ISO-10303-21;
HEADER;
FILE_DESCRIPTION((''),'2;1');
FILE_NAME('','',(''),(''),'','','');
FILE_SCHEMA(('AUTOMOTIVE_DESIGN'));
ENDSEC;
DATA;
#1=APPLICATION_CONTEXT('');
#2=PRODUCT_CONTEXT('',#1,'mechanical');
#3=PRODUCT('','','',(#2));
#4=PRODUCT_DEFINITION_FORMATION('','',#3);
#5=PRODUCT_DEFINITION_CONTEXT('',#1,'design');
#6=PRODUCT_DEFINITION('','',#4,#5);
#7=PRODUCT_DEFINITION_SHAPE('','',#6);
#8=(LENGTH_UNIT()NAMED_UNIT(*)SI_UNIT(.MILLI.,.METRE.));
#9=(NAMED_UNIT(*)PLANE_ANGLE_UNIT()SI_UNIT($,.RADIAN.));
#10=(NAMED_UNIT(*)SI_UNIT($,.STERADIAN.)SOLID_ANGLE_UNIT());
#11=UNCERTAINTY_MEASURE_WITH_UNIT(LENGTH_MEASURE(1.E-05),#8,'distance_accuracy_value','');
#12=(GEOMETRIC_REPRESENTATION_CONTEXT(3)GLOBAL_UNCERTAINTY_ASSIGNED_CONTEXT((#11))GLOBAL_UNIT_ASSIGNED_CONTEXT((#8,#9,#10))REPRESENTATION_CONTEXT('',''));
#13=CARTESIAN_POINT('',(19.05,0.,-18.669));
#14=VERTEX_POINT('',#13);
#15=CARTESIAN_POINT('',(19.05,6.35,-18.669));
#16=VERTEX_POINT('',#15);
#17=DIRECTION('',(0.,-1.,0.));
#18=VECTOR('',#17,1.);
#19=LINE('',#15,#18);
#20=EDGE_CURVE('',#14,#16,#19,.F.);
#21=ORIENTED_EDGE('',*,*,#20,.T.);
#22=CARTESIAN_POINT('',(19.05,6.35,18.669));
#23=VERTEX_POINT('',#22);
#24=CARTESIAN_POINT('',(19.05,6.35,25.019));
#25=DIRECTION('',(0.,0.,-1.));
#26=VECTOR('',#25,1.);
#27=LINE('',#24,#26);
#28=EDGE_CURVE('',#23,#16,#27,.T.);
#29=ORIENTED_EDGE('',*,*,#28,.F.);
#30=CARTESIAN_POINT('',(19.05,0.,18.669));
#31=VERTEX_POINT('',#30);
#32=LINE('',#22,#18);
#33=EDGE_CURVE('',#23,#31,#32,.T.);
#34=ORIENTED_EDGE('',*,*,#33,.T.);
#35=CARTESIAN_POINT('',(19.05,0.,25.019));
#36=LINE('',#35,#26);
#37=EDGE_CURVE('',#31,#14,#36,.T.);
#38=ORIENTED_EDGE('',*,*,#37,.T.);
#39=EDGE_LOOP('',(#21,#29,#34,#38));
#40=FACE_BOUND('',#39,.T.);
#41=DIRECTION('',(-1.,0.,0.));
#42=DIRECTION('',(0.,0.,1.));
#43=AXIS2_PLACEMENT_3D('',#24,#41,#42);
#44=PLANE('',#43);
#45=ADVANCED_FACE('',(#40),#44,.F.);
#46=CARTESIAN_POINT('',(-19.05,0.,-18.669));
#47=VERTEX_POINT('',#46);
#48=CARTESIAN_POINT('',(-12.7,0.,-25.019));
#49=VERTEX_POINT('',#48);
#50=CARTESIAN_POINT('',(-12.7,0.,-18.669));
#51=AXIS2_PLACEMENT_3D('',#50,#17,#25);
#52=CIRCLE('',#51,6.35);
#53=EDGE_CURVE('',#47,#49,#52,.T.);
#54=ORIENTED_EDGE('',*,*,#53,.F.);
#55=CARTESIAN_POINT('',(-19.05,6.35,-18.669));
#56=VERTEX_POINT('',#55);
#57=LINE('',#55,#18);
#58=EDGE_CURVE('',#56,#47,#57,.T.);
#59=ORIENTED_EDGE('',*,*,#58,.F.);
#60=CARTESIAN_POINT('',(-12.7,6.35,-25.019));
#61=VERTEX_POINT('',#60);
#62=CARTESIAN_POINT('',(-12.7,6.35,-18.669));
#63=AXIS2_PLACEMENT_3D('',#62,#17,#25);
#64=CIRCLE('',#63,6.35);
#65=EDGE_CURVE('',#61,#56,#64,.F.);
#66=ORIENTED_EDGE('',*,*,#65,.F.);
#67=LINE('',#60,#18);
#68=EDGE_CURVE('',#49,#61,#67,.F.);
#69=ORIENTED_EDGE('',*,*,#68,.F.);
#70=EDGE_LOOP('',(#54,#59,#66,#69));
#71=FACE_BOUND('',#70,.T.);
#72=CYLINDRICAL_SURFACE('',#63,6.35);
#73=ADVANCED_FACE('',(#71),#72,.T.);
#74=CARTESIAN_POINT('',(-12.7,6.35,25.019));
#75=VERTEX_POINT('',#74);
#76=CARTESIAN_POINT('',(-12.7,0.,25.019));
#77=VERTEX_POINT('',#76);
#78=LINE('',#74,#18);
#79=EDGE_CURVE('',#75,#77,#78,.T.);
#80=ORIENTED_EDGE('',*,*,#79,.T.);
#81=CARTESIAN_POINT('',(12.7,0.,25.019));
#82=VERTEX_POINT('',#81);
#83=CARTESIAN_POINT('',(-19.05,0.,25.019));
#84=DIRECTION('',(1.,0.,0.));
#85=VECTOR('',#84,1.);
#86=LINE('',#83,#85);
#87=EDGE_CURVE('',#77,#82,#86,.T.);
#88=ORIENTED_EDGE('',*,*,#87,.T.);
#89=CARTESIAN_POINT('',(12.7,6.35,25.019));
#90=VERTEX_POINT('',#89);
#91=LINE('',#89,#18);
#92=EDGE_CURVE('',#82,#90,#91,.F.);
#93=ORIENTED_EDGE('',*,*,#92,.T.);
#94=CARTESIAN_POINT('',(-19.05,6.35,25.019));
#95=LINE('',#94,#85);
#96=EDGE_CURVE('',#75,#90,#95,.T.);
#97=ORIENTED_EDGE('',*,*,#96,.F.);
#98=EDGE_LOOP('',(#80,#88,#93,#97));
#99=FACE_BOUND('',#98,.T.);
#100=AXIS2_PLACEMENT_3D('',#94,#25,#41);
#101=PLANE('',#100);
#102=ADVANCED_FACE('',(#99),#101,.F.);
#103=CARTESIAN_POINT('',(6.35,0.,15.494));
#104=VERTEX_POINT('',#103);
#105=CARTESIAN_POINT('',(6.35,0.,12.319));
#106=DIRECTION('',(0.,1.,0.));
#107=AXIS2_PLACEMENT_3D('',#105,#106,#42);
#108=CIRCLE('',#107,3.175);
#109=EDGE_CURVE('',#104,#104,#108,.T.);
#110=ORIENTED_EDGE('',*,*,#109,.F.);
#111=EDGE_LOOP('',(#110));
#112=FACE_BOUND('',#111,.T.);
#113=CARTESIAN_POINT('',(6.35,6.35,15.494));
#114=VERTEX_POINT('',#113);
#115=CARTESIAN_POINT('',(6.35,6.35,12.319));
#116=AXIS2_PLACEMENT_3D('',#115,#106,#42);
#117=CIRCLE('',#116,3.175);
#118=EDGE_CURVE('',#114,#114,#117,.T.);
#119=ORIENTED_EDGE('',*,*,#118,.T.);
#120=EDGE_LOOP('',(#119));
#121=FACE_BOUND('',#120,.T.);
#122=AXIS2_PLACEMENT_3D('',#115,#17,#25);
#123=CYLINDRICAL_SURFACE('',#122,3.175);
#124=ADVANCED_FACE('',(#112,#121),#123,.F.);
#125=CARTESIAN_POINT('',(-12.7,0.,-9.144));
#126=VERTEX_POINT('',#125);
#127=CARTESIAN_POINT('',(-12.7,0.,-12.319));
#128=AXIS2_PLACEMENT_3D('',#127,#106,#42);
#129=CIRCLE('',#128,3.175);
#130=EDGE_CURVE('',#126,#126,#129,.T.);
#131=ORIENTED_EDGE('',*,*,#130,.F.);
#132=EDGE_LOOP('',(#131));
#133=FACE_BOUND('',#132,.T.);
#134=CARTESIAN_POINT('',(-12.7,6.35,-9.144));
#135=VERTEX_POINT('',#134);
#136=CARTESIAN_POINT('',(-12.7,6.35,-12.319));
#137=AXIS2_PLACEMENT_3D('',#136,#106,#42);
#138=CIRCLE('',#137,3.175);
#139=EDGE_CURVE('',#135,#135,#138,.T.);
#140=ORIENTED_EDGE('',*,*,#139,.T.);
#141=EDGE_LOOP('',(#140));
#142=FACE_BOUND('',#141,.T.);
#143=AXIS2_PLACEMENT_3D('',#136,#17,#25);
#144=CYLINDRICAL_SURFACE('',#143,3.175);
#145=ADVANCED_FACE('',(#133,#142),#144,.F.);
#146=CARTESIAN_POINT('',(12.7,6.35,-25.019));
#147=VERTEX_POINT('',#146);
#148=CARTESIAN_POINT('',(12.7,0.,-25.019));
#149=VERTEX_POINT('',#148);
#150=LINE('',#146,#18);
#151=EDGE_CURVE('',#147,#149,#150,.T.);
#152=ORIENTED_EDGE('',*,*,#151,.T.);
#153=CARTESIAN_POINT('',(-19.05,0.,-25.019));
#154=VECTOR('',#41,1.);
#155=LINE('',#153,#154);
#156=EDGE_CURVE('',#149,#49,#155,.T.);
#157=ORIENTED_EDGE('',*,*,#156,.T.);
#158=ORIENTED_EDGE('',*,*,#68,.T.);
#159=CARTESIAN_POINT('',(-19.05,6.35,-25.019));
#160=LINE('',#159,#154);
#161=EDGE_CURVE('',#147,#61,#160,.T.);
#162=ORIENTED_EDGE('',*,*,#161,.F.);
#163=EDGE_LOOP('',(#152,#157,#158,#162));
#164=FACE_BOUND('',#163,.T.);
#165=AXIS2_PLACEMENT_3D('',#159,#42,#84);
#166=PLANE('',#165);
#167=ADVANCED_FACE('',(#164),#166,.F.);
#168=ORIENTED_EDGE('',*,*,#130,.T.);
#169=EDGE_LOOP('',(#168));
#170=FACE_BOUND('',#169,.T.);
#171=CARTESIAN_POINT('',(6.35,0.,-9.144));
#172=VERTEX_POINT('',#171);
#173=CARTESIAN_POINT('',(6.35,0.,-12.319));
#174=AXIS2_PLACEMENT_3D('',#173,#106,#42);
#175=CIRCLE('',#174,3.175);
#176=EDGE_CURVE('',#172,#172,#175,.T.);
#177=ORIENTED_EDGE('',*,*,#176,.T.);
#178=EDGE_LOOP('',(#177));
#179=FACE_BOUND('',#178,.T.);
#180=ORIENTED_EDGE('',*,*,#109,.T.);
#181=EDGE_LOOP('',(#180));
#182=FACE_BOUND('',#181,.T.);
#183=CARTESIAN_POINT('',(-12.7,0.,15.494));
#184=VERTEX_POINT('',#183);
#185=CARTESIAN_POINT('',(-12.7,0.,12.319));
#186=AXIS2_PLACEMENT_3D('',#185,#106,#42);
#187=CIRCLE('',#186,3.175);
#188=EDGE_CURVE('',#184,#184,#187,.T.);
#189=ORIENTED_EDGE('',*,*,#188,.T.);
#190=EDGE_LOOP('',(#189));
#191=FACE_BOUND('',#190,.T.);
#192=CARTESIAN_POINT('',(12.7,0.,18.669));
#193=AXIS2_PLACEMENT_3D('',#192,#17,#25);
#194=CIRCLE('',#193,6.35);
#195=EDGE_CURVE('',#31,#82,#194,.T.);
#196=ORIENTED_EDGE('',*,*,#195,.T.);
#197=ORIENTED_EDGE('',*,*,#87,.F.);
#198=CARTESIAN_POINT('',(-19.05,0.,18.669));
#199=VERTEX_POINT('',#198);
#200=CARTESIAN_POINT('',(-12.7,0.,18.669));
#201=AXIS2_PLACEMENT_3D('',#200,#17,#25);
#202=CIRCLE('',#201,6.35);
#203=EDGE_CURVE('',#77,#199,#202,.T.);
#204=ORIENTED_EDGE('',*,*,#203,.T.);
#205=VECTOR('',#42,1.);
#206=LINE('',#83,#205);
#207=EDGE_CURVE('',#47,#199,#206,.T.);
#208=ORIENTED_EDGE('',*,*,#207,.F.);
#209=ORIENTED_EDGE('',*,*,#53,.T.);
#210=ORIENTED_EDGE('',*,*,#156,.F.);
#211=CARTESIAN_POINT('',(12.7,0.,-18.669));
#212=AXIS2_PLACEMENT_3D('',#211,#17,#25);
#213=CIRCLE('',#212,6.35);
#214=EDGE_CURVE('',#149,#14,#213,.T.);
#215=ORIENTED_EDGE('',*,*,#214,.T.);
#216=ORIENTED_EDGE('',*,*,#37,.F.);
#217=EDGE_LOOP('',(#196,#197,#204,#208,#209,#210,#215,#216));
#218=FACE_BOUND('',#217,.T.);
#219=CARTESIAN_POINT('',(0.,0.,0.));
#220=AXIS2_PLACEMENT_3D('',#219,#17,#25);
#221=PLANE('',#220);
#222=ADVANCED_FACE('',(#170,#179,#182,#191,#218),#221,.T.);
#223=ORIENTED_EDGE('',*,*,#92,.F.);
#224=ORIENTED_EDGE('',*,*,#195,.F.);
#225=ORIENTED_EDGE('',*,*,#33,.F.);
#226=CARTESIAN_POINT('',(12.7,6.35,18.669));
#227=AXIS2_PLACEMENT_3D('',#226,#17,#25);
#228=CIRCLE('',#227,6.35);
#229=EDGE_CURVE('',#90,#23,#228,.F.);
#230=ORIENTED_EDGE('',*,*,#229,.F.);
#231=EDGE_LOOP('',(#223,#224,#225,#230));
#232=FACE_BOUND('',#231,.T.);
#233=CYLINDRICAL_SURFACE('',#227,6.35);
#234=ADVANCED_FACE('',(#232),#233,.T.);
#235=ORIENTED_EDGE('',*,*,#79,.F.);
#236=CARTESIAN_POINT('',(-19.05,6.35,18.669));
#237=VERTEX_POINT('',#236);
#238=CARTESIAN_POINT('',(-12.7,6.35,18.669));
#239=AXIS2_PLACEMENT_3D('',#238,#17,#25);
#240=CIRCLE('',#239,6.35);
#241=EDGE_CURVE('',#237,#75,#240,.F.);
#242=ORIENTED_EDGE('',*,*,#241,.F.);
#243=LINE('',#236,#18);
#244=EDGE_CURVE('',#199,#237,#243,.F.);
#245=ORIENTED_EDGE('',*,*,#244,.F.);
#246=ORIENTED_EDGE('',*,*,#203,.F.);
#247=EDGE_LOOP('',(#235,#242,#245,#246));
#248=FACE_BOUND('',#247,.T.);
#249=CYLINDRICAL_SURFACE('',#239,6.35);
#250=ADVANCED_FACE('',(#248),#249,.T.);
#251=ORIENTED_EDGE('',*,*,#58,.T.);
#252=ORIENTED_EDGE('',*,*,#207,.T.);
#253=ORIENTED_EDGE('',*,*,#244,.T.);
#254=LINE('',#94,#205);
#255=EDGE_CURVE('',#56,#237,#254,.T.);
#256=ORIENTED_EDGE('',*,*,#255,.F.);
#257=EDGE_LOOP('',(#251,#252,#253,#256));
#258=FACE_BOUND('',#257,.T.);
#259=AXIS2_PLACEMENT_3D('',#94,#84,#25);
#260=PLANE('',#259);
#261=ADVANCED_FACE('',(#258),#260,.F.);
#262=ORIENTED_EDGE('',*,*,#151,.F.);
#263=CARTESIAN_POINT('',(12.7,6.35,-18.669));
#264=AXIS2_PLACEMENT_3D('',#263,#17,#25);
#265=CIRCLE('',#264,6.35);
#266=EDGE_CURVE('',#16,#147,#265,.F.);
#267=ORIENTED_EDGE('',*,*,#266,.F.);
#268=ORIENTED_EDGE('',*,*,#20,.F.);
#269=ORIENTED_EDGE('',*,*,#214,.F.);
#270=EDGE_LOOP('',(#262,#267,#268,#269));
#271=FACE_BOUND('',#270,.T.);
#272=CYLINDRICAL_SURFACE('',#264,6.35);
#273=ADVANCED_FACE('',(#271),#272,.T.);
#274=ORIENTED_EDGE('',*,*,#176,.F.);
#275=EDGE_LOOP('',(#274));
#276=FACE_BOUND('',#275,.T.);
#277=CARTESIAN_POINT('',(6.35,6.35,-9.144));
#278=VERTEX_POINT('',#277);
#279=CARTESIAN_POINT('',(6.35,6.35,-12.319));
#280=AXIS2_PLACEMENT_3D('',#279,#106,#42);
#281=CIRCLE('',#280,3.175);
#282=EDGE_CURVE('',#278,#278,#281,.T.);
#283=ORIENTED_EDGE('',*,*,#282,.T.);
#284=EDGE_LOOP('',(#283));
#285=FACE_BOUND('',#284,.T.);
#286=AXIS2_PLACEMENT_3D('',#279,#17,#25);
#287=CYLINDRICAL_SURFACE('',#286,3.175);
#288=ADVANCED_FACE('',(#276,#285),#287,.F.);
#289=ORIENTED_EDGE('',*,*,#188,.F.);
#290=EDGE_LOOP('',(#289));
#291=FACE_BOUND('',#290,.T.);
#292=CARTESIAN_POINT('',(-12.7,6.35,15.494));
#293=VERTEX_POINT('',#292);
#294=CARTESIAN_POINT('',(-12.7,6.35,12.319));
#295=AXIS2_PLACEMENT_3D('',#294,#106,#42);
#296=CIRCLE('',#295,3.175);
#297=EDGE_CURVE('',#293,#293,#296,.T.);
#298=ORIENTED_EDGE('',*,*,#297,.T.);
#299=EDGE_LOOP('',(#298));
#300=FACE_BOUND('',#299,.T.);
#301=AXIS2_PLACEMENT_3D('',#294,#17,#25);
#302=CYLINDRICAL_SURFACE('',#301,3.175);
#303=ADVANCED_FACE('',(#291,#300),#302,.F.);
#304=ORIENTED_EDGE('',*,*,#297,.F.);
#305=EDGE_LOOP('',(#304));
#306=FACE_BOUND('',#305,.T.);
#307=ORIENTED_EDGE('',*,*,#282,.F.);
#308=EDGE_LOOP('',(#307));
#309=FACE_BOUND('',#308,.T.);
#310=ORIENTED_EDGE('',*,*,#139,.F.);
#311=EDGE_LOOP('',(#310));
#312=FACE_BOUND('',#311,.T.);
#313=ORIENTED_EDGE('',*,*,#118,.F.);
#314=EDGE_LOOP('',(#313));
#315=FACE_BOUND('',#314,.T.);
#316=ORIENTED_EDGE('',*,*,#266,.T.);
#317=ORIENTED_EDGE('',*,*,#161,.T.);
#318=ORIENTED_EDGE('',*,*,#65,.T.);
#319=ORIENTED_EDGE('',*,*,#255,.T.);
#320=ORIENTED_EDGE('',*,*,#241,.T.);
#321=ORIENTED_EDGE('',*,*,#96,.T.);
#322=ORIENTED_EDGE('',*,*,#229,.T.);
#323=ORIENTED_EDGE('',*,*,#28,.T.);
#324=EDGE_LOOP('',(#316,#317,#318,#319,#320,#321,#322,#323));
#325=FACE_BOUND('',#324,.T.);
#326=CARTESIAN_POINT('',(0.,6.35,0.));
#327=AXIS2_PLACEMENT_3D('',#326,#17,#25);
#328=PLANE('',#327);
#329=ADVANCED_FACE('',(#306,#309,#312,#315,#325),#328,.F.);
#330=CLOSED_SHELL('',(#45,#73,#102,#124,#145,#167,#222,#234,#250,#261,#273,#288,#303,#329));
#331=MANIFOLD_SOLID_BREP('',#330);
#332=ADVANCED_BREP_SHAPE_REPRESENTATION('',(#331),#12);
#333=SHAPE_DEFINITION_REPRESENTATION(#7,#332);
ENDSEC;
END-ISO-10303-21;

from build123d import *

# Parameters (mm, degrees)
SKETCH1_W           = 38.1
SKETCH1_H           = 50.038
SKETCH1_R           = 3.175
BOSS_EXTRUDE1_DEPTH = 6.35
FILLET1_R           = 6.35


with BuildPart() as part:
    # Sketch1 → Boss-Extrude1 (new body)
    with BuildSketch(Plane(origin=(0, 0, 0), x_dir=(1, 0, 0), z_dir=(0, 1, 0))):
        Rectangle(SKETCH1_W, SKETCH1_H)
        with Locations((6.35, -12.319)):
            Circle(SKETCH1_R, mode=Mode.SUBTRACT)
        with Locations((-12.7, -12.319)):
            Circle(SKETCH1_R, mode=Mode.SUBTRACT)
        with Locations((-12.7, 12.319)):
            Circle(SKETCH1_R, mode=Mode.SUBTRACT)
        with Locations((6.35, 12.319)):
            Circle(SKETCH1_R, mode=Mode.SUBTRACT)
    extrude(amount=BOSS_EXTRUDE1_DEPTH)

    # Fillet1
    fillet1_edges = [part.edges().sort_by_distance(p)[0] for p in [
        (19.05, 3.175, 25.019),
        (-19.05, 3.175, 25.019),
        (-19.05, 3.175, -25.019),
        (19.05, 3.175, -25.019),
    ]]
    fillet(fillet1_edges, radius=FILLET1_R)


solid = part.part
